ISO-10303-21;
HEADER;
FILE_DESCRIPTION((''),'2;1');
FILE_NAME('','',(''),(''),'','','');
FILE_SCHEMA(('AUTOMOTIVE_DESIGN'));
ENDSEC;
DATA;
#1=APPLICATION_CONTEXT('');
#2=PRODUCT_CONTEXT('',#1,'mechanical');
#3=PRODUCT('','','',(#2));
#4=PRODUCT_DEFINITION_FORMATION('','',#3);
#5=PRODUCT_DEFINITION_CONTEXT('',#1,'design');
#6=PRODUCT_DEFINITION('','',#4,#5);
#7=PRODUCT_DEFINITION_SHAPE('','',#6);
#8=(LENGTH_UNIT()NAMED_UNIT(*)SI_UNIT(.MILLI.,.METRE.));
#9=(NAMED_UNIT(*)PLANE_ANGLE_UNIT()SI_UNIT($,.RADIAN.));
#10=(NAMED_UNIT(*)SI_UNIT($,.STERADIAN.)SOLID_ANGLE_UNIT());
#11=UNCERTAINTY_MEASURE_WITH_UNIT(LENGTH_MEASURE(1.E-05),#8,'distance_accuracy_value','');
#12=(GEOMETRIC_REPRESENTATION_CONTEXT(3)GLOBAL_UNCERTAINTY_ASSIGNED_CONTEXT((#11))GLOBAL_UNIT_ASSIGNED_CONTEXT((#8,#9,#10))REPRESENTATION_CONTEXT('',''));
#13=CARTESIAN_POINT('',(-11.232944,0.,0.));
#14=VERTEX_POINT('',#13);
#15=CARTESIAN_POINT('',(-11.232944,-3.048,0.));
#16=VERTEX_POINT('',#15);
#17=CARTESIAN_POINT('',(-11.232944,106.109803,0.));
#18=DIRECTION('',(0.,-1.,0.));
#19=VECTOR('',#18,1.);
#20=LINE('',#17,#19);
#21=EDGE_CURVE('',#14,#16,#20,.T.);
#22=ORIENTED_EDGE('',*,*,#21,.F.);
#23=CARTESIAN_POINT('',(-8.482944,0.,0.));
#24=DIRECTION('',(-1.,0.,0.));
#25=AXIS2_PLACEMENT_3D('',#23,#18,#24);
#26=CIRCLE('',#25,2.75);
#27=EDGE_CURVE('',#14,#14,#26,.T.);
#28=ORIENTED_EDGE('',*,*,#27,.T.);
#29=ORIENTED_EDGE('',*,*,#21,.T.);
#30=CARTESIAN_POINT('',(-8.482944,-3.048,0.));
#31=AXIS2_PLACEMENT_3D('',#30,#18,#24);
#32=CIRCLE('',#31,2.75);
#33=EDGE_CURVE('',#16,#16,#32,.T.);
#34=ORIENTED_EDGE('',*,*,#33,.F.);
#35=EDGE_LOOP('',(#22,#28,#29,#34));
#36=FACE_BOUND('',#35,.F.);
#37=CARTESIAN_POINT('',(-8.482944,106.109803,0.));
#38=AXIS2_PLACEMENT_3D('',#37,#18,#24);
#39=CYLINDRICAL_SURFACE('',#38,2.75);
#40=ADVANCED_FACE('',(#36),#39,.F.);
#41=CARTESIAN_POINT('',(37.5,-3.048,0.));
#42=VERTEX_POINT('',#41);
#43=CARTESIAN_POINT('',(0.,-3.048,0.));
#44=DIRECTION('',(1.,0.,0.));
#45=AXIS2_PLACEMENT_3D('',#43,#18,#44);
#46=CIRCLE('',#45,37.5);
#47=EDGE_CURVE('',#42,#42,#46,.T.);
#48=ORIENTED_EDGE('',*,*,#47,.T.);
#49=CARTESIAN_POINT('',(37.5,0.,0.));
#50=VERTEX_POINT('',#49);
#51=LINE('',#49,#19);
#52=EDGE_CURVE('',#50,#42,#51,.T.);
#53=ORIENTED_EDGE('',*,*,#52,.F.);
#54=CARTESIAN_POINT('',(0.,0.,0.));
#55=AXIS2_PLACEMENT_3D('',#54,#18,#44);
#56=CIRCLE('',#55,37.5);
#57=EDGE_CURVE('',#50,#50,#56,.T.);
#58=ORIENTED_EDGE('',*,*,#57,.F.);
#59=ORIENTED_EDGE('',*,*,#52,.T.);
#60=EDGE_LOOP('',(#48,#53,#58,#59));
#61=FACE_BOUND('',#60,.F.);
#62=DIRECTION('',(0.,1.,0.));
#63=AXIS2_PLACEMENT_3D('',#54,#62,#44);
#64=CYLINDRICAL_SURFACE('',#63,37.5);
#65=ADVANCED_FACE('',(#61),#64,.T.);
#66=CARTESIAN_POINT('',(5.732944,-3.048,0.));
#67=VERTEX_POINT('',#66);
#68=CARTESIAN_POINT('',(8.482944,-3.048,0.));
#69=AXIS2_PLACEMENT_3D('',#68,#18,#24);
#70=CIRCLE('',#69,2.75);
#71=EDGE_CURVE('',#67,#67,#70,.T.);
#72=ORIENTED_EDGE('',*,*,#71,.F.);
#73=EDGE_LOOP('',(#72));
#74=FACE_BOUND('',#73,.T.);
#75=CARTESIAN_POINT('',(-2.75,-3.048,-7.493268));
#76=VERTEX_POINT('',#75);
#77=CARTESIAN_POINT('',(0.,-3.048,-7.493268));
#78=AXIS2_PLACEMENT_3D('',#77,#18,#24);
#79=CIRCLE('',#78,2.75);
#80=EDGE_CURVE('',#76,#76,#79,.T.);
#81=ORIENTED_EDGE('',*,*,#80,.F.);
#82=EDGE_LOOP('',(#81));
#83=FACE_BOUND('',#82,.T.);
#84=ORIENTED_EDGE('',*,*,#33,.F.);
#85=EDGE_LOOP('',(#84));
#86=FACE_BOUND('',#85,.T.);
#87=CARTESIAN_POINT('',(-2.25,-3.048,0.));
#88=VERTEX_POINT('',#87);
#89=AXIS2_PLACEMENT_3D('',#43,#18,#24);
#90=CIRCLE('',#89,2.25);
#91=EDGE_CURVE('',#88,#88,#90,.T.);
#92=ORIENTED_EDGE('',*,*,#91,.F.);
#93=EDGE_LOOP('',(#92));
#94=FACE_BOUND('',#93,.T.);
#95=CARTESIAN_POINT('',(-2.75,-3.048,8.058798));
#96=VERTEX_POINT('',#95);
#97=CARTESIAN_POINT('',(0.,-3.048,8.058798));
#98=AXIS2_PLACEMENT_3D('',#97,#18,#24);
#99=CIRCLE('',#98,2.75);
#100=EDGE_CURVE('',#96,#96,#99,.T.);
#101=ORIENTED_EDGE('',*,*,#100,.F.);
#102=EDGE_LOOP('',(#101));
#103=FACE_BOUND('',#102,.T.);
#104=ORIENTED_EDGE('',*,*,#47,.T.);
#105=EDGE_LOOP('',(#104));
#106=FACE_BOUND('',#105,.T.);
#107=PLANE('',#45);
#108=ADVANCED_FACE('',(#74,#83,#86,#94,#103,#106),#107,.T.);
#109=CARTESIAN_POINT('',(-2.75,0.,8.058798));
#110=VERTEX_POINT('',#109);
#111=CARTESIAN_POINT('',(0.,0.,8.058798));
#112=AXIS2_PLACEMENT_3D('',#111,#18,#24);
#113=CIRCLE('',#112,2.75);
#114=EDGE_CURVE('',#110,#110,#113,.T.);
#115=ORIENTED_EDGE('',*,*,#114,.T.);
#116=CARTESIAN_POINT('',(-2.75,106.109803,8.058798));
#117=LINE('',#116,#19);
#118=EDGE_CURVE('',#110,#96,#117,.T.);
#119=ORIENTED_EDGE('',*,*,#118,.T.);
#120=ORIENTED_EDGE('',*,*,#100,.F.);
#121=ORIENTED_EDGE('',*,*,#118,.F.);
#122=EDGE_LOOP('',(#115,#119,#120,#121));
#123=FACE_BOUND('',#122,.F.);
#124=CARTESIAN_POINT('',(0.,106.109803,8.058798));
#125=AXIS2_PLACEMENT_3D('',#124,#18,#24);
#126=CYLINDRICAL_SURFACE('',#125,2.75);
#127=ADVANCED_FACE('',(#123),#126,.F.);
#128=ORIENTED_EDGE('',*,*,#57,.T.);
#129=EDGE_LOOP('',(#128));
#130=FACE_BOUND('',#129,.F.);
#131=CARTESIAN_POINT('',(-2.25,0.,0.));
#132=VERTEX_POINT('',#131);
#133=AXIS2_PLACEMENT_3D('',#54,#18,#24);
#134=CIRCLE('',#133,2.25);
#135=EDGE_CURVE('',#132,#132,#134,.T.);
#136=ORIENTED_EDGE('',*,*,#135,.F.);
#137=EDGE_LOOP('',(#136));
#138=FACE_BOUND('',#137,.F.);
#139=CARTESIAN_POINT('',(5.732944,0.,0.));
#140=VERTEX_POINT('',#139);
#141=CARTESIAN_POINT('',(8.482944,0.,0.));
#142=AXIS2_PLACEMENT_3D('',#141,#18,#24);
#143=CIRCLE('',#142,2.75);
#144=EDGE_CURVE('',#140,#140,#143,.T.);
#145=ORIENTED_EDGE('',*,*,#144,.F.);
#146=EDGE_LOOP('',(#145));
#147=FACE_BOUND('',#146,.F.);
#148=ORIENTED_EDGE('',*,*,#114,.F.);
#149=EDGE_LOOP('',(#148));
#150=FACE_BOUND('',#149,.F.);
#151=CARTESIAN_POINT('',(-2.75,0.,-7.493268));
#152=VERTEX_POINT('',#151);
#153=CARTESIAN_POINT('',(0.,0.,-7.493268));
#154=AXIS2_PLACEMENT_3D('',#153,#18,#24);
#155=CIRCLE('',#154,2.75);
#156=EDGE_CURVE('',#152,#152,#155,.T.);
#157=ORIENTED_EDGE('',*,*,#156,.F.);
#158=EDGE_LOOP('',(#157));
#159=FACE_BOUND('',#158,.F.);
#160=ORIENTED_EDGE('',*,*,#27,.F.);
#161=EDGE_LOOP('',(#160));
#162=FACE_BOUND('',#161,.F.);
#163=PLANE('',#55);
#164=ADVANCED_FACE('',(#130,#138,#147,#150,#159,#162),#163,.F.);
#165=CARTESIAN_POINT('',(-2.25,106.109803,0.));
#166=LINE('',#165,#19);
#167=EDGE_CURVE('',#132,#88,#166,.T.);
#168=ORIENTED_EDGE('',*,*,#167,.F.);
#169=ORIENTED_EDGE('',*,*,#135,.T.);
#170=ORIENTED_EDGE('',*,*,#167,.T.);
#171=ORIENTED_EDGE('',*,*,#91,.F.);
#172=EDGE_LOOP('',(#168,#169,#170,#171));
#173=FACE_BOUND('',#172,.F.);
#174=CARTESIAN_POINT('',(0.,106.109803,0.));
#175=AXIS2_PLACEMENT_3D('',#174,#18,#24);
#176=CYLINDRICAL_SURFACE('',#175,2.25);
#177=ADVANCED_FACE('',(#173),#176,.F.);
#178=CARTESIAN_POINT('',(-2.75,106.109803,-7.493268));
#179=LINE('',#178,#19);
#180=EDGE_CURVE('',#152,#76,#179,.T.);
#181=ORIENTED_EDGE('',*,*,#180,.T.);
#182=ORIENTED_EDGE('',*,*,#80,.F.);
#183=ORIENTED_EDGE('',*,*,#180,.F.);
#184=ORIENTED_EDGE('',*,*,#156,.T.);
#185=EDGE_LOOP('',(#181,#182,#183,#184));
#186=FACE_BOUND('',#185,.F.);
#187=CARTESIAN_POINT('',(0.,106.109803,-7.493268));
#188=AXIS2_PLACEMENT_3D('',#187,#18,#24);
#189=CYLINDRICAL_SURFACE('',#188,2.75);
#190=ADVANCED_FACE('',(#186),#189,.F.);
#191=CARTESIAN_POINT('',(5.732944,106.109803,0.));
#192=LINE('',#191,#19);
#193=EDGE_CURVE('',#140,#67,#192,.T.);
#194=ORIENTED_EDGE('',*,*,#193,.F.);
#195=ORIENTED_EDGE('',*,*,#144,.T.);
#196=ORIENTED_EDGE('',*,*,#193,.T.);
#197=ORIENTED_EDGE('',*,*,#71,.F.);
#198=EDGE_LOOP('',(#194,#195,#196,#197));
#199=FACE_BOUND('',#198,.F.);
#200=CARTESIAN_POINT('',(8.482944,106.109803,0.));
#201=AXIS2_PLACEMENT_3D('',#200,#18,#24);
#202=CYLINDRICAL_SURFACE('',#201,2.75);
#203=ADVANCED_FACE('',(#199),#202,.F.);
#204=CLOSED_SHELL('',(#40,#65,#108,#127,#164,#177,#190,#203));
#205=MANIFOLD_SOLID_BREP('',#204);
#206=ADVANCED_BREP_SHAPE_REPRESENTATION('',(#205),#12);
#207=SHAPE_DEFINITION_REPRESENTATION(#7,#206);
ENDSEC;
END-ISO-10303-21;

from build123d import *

# Parameters (mm, degrees)
F0_R     = 37.5
F1_DEPTH = 3.048
F2_D     = 4.5
F4_D     = 5.5


with BuildPart() as f1:
    # F0 (on Front) → F1 (new body)
    with BuildSketch(Plane.XZ):
        Circle(F0_R)
    extrude(amount=F1_DEPTH)

    # F2 (through all)
    with Locations(Plane(origin=(0, 0, 0), x_dir=(1, 0, 0), z_dir=(0, 1, 0))):
        with Locations((0, 0)):
            Hole(F2_D / 2)

    # F4 (through all)
    with Locations(Plane(origin=(0, 0, 0), x_dir=(1, 0, 0), z_dir=(0, 1, 0))):
        with Locations((0, -8.0587975681), (-8.4829442203, 0), (0, 7.4932677671), (8.4829442203, 0)):
            Hole(F4_D / 2)


solid = f1.part
